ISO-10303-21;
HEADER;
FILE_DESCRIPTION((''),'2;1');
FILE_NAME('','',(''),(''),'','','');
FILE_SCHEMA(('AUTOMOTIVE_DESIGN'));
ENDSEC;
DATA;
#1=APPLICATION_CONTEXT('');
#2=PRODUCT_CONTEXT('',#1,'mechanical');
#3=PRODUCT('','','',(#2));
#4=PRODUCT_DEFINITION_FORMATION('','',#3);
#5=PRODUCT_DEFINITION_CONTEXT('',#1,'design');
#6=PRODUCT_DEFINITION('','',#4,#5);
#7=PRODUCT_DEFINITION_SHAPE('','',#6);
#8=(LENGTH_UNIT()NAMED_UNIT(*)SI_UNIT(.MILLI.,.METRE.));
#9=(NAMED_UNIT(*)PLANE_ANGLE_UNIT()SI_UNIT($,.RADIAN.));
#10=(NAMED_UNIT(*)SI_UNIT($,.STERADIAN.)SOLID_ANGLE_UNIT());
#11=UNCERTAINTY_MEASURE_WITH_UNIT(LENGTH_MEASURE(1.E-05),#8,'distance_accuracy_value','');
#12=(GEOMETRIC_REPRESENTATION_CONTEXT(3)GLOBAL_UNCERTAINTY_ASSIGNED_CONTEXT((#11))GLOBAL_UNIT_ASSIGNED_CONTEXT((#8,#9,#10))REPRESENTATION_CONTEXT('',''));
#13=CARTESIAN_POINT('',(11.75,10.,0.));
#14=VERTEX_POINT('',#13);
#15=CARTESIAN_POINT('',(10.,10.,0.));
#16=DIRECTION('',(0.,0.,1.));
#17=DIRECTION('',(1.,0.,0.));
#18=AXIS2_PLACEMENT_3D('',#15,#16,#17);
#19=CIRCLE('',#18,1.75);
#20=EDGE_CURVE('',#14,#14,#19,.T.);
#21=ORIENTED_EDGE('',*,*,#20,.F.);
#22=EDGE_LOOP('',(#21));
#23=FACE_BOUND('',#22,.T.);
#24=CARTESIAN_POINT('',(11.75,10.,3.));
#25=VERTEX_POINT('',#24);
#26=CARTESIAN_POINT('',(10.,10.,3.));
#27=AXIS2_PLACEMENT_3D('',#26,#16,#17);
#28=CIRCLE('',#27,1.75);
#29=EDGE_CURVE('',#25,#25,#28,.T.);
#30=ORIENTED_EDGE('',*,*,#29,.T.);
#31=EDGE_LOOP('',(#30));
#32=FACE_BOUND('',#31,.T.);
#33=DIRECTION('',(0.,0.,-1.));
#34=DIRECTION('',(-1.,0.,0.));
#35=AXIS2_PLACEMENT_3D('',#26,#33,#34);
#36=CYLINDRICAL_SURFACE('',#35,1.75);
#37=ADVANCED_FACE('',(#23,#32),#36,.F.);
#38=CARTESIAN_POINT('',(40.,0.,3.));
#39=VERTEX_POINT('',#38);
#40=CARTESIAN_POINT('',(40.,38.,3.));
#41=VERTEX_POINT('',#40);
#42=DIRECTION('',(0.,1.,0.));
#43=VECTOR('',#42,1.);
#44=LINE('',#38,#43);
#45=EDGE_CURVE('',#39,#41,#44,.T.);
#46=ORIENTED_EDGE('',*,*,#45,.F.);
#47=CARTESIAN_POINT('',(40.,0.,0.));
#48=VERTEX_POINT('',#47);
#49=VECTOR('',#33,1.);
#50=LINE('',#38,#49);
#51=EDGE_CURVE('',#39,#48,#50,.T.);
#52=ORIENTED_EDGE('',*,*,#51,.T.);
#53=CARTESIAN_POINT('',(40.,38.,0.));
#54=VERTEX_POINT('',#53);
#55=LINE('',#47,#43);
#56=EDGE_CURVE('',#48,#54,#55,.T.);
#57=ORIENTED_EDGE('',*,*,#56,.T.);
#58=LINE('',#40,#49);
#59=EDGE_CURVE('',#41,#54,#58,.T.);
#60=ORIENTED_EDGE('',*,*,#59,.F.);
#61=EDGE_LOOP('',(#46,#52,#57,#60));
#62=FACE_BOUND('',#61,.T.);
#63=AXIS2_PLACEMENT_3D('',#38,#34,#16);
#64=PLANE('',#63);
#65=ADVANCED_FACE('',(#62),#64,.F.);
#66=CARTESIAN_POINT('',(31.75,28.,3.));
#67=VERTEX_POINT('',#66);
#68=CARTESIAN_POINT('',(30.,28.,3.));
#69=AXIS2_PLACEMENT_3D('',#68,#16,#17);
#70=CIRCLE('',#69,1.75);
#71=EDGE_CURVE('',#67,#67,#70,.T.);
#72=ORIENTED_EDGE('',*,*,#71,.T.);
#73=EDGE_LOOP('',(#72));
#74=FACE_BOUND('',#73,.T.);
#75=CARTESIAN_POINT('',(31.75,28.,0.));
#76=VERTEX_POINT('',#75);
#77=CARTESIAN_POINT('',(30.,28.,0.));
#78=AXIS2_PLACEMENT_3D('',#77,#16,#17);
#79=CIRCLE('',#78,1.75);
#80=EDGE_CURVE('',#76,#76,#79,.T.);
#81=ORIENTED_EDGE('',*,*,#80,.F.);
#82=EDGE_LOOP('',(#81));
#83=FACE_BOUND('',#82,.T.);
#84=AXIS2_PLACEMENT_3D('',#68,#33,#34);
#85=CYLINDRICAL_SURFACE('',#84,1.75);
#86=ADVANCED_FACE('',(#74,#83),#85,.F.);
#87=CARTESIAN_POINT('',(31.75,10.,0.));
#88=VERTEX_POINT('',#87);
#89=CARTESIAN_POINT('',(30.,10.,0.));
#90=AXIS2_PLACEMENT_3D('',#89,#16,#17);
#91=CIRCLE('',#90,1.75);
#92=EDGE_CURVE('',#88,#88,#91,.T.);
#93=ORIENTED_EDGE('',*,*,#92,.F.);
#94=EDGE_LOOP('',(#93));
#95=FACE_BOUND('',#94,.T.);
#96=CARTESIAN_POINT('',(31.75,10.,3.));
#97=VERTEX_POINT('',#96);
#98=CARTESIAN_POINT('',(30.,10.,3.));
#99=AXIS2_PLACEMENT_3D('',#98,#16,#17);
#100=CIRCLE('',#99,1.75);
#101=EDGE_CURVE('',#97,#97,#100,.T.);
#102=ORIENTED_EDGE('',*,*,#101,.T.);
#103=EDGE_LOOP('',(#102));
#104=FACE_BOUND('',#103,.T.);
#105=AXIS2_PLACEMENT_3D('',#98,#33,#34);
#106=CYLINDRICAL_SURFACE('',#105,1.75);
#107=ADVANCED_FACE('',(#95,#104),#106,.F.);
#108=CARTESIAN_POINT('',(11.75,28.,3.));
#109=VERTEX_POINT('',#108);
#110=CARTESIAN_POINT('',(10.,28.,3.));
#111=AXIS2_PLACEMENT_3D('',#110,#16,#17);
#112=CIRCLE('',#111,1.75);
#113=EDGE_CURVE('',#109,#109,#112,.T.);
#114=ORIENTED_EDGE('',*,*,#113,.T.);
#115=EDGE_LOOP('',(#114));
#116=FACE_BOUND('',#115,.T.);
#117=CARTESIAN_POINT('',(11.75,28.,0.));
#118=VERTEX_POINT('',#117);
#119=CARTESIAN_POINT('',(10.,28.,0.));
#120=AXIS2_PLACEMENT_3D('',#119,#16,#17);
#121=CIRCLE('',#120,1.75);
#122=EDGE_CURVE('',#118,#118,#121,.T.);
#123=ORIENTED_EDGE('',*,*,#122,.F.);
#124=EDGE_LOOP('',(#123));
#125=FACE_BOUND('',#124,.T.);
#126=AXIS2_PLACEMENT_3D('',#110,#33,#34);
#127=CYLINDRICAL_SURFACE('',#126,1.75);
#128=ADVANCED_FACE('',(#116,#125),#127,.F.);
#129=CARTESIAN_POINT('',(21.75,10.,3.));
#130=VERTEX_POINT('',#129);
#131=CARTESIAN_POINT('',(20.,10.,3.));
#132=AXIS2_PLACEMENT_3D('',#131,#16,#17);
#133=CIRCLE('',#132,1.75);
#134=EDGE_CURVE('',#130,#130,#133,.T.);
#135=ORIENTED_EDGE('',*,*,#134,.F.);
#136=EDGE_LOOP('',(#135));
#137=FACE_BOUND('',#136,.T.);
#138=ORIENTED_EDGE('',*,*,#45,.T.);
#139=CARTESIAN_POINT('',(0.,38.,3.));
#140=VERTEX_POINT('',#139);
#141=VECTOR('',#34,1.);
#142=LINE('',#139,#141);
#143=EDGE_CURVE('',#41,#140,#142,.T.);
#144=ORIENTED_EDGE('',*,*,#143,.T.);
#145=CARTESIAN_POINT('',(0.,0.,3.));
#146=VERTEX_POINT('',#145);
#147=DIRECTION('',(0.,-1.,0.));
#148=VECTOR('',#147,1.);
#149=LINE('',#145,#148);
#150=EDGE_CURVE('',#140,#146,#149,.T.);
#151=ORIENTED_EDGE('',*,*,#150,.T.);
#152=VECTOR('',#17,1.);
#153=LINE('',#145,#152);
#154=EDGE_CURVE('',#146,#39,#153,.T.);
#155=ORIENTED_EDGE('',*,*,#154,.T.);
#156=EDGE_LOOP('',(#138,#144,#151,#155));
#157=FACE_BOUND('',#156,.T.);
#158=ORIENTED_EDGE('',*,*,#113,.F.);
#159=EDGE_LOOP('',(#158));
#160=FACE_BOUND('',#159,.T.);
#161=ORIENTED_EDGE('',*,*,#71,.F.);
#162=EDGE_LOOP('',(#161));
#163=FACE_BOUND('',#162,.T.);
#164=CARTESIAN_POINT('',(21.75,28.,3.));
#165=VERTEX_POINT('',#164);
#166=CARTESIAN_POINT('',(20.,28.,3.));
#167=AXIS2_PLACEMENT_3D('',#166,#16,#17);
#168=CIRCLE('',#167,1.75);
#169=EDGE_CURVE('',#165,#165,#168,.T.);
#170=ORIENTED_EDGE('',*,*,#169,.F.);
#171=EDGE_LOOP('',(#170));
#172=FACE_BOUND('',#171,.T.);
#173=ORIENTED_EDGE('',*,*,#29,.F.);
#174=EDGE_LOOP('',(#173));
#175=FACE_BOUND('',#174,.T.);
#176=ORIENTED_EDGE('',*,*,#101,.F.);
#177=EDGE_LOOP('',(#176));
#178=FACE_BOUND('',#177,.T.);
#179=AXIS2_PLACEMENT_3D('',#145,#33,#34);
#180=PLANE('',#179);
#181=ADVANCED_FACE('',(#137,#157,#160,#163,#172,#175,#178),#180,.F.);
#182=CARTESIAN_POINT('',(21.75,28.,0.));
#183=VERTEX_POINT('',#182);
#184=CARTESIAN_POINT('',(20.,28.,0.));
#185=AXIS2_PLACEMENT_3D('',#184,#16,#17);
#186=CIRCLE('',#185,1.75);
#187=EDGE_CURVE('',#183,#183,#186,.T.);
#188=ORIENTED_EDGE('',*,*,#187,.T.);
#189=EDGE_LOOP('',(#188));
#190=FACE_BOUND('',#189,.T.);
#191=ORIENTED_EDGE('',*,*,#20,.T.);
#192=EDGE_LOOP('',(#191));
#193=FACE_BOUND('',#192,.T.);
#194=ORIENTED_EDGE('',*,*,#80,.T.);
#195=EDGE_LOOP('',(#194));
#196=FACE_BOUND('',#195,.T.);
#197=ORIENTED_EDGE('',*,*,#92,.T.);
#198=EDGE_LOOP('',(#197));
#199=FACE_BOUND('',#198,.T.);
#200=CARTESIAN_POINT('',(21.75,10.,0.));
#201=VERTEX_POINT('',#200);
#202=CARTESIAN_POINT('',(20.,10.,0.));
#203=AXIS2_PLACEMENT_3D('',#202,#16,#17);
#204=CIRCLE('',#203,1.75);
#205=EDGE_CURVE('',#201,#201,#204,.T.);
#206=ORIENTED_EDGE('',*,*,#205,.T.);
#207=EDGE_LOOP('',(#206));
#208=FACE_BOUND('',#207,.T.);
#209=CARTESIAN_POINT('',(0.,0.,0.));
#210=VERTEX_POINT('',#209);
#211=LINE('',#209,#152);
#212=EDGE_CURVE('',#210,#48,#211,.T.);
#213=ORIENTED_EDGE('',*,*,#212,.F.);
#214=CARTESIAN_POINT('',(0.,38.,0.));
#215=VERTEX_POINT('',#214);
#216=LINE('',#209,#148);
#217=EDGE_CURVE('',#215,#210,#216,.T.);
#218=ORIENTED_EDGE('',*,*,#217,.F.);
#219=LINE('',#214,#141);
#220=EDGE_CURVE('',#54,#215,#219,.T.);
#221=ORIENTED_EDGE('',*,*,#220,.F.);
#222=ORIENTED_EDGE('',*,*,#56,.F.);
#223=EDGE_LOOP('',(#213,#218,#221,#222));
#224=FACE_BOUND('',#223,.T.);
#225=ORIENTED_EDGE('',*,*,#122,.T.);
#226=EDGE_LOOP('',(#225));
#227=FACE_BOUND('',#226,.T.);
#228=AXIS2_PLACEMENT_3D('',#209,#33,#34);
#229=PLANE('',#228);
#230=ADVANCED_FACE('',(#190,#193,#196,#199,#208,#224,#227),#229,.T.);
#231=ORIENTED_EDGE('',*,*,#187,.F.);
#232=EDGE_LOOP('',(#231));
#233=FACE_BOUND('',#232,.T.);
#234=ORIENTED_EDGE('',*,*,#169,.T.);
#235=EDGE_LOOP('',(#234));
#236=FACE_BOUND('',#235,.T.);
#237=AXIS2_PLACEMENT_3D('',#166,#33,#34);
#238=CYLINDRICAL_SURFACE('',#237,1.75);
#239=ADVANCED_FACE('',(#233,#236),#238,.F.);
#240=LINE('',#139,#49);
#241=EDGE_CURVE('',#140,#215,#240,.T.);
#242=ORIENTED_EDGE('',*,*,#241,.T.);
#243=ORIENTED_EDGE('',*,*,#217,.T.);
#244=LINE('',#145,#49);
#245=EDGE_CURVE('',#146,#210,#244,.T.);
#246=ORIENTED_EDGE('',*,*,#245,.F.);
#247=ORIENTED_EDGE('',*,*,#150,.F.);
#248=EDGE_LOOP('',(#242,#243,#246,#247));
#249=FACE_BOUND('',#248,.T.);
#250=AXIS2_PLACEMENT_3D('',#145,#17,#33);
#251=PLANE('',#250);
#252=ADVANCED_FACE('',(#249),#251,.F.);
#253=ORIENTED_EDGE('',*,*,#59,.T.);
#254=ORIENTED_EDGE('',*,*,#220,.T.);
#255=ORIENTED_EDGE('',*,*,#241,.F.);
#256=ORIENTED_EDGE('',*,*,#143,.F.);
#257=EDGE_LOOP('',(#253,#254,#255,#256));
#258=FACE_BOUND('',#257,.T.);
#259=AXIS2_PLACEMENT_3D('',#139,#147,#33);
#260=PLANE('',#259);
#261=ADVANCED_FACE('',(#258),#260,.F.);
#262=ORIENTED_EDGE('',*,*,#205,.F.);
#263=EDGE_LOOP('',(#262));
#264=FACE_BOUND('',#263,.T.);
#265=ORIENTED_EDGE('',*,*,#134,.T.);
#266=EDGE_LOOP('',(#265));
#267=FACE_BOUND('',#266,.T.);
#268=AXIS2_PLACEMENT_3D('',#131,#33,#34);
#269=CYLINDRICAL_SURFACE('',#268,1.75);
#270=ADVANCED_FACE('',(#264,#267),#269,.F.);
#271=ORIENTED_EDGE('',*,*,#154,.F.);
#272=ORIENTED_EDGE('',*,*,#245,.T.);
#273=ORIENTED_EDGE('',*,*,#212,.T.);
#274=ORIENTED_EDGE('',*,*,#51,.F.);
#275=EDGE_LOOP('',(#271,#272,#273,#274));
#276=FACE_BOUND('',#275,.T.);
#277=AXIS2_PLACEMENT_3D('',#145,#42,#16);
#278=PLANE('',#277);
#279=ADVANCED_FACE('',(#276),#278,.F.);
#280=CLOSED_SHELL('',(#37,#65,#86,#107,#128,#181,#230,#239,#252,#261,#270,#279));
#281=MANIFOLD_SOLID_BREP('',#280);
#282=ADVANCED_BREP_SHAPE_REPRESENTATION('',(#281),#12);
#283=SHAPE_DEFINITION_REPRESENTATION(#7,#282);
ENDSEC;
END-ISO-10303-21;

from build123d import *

# Parameters (mm, degrees)
SKETCH1_W           = 40
SKETCH1_H           = 38
SKETCH1_R           = 1.75
BOSS_EXTRUDE1_DEPTH = 3


with BuildPart() as part:
    # Sketch1 → Boss-Extrude1 (new body)
    with BuildSketch(Plane.XY):
        with Locations((20, 19)):
            Rectangle(SKETCH1_W, SKETCH1_H)
        with Locations((10, 10)):
            Circle(SKETCH1_R, mode=Mode.SUBTRACT)
        with Locations((20, 10)):
            Circle(SKETCH1_R, mode=Mode.SUBTRACT)
        with Locations((30, 10)):
            Circle(SKETCH1_R, mode=Mode.SUBTRACT)
        with Locations((10, 28)):
            Circle(SKETCH1_R, mode=Mode.SUBTRACT)
        with Locations((20, 28)):
            Circle(SKETCH1_R, mode=Mode.SUBTRACT)
        with Locations((30, 28)):
            Circle(SKETCH1_R, mode=Mode.SUBTRACT)
    extrude(amount=BOSS_EXTRUDE1_DEPTH)


solid = part.part
